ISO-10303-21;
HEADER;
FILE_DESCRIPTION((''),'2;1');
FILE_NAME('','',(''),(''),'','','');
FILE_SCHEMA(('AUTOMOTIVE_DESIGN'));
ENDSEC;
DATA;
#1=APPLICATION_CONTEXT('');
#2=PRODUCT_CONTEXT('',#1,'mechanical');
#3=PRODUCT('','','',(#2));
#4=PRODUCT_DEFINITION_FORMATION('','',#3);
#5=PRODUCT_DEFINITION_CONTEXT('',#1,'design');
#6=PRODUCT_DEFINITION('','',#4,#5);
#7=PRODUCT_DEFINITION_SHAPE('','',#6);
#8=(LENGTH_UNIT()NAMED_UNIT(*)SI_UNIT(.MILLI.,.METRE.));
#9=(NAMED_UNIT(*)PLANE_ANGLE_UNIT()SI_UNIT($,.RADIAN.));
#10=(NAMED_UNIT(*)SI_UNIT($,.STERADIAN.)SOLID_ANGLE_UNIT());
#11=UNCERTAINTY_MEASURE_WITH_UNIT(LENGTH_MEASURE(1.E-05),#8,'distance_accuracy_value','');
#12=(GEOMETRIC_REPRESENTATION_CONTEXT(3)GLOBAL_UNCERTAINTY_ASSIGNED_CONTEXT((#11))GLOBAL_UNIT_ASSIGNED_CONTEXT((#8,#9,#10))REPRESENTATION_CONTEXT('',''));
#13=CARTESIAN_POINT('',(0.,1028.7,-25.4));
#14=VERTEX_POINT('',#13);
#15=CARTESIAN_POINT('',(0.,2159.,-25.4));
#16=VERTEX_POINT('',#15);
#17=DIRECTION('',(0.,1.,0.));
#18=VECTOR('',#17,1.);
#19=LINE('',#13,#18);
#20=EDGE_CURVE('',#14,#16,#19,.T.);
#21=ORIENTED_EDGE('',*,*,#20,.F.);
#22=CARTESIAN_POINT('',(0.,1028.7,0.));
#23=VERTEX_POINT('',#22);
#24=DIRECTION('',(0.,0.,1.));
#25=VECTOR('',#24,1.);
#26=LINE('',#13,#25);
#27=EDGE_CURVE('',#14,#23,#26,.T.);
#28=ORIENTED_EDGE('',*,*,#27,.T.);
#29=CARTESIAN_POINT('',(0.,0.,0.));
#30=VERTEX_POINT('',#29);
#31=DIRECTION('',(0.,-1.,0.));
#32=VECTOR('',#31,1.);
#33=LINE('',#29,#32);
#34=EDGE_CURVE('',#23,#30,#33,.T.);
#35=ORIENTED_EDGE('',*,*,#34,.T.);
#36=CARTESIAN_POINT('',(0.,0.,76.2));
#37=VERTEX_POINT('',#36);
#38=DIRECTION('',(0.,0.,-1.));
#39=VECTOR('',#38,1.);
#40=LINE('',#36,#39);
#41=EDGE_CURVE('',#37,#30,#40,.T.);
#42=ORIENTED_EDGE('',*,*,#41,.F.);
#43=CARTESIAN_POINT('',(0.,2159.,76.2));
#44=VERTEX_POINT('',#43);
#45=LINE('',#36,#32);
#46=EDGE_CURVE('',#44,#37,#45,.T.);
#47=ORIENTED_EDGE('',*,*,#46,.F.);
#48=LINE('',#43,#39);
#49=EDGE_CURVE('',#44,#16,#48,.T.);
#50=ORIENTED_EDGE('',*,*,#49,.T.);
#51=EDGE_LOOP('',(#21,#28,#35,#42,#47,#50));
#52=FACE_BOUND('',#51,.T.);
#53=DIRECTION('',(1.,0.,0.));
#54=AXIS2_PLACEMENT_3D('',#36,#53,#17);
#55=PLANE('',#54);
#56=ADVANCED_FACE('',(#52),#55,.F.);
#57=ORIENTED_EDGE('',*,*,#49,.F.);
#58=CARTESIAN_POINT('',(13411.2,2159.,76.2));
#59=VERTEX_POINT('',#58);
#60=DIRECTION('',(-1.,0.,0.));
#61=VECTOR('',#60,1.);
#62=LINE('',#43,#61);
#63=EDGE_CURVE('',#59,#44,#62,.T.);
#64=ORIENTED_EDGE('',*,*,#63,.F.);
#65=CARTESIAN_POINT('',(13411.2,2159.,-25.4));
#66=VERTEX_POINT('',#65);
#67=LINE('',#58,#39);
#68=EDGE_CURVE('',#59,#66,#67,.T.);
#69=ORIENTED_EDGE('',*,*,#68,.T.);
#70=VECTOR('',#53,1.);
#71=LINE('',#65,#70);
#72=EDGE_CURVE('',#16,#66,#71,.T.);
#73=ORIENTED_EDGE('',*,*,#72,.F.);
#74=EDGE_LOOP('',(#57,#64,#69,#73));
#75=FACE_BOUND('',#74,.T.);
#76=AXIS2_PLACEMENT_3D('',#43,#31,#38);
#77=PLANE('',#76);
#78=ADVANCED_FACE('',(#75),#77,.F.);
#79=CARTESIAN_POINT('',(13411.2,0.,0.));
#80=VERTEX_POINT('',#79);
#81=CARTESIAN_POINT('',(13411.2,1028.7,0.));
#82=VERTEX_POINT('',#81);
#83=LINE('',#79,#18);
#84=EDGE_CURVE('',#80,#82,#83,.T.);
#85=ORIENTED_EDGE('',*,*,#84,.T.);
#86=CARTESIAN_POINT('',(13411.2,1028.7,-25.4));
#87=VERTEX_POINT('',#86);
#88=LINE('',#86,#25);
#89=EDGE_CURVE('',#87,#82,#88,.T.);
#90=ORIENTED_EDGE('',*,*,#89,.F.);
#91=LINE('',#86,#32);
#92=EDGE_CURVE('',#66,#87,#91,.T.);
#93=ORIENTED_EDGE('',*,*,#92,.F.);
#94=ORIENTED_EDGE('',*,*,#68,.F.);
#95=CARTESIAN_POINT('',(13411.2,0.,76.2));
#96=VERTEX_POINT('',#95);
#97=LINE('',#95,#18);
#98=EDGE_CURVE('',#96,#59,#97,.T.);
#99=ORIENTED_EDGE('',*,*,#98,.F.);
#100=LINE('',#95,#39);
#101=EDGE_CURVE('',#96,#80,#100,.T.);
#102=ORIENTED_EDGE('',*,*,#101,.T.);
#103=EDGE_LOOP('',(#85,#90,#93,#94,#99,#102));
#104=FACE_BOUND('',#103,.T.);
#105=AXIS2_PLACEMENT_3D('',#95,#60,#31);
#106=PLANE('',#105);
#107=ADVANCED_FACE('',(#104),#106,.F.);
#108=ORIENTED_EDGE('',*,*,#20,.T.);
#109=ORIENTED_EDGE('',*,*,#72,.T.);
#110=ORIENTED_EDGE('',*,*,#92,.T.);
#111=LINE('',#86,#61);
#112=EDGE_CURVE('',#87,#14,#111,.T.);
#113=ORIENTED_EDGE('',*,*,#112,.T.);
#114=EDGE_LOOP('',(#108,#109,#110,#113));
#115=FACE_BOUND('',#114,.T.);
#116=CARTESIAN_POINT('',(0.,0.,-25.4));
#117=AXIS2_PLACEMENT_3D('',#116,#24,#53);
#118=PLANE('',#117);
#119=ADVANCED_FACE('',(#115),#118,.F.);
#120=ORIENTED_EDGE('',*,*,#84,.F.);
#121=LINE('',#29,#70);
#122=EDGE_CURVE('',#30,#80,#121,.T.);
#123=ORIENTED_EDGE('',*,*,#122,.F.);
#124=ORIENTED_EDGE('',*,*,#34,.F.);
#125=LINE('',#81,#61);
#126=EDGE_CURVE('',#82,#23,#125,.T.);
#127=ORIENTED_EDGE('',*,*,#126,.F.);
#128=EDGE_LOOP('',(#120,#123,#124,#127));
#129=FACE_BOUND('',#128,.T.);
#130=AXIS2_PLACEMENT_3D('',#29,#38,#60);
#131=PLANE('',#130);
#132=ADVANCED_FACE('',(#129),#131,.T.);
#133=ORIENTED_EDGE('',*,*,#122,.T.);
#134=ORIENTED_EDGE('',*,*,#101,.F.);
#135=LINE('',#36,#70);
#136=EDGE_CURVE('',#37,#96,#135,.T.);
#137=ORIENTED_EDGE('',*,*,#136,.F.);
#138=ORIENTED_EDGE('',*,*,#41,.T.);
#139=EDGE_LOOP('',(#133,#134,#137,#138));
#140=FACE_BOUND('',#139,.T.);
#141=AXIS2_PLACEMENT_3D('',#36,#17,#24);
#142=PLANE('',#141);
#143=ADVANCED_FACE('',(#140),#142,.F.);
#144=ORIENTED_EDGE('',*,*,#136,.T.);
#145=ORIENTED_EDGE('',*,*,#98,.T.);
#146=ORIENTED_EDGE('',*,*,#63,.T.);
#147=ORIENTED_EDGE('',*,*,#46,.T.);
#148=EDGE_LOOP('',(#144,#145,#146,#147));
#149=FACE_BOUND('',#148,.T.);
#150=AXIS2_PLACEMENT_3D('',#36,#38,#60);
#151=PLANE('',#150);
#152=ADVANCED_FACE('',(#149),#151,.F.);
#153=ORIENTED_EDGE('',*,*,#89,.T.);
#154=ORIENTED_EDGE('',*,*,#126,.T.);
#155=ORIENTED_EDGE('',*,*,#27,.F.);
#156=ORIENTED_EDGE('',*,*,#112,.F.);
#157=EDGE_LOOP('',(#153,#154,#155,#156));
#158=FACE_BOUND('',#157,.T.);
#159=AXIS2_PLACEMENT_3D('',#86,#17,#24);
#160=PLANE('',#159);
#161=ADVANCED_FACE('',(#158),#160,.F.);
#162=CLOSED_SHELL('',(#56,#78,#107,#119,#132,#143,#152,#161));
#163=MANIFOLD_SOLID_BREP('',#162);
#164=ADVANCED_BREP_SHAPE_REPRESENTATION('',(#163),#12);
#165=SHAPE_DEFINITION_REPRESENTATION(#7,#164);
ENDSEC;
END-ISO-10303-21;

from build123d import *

# Parameters (mm, degrees)
SKETCH2_W           = 13411.2
SKETCH2_H           = 2159
BOSS_EXTRUDE1_DEPTH = 76.2
SKETCH4_W           = 13411.2
SKETCH4_H           = 1130.3
BOSS_EXTRUDE2_DEPTH = 25.4


with BuildPart() as part:
    # Sketch2 → Boss-Extrude1 (new body)
    with BuildSketch(Plane.XY):
        with Locations((6705.6, 1079.5)):
            Rectangle(SKETCH2_W, SKETCH2_H)
    extrude(amount=BOSS_EXTRUDE1_DEPTH)

    # Sketch4 → Boss-Extrude2 (add)
    with BuildSketch(Plane(origin=(0, 0, 0), x_dir=(-1, 0, 0), z_dir=(0, 0, -1))):
        with Locations((-6705.6, 1593.85)):
            Rectangle(SKETCH4_W, SKETCH4_H)
    extrude(amount=BOSS_EXTRUDE2_DEPTH)


solid = part.part
